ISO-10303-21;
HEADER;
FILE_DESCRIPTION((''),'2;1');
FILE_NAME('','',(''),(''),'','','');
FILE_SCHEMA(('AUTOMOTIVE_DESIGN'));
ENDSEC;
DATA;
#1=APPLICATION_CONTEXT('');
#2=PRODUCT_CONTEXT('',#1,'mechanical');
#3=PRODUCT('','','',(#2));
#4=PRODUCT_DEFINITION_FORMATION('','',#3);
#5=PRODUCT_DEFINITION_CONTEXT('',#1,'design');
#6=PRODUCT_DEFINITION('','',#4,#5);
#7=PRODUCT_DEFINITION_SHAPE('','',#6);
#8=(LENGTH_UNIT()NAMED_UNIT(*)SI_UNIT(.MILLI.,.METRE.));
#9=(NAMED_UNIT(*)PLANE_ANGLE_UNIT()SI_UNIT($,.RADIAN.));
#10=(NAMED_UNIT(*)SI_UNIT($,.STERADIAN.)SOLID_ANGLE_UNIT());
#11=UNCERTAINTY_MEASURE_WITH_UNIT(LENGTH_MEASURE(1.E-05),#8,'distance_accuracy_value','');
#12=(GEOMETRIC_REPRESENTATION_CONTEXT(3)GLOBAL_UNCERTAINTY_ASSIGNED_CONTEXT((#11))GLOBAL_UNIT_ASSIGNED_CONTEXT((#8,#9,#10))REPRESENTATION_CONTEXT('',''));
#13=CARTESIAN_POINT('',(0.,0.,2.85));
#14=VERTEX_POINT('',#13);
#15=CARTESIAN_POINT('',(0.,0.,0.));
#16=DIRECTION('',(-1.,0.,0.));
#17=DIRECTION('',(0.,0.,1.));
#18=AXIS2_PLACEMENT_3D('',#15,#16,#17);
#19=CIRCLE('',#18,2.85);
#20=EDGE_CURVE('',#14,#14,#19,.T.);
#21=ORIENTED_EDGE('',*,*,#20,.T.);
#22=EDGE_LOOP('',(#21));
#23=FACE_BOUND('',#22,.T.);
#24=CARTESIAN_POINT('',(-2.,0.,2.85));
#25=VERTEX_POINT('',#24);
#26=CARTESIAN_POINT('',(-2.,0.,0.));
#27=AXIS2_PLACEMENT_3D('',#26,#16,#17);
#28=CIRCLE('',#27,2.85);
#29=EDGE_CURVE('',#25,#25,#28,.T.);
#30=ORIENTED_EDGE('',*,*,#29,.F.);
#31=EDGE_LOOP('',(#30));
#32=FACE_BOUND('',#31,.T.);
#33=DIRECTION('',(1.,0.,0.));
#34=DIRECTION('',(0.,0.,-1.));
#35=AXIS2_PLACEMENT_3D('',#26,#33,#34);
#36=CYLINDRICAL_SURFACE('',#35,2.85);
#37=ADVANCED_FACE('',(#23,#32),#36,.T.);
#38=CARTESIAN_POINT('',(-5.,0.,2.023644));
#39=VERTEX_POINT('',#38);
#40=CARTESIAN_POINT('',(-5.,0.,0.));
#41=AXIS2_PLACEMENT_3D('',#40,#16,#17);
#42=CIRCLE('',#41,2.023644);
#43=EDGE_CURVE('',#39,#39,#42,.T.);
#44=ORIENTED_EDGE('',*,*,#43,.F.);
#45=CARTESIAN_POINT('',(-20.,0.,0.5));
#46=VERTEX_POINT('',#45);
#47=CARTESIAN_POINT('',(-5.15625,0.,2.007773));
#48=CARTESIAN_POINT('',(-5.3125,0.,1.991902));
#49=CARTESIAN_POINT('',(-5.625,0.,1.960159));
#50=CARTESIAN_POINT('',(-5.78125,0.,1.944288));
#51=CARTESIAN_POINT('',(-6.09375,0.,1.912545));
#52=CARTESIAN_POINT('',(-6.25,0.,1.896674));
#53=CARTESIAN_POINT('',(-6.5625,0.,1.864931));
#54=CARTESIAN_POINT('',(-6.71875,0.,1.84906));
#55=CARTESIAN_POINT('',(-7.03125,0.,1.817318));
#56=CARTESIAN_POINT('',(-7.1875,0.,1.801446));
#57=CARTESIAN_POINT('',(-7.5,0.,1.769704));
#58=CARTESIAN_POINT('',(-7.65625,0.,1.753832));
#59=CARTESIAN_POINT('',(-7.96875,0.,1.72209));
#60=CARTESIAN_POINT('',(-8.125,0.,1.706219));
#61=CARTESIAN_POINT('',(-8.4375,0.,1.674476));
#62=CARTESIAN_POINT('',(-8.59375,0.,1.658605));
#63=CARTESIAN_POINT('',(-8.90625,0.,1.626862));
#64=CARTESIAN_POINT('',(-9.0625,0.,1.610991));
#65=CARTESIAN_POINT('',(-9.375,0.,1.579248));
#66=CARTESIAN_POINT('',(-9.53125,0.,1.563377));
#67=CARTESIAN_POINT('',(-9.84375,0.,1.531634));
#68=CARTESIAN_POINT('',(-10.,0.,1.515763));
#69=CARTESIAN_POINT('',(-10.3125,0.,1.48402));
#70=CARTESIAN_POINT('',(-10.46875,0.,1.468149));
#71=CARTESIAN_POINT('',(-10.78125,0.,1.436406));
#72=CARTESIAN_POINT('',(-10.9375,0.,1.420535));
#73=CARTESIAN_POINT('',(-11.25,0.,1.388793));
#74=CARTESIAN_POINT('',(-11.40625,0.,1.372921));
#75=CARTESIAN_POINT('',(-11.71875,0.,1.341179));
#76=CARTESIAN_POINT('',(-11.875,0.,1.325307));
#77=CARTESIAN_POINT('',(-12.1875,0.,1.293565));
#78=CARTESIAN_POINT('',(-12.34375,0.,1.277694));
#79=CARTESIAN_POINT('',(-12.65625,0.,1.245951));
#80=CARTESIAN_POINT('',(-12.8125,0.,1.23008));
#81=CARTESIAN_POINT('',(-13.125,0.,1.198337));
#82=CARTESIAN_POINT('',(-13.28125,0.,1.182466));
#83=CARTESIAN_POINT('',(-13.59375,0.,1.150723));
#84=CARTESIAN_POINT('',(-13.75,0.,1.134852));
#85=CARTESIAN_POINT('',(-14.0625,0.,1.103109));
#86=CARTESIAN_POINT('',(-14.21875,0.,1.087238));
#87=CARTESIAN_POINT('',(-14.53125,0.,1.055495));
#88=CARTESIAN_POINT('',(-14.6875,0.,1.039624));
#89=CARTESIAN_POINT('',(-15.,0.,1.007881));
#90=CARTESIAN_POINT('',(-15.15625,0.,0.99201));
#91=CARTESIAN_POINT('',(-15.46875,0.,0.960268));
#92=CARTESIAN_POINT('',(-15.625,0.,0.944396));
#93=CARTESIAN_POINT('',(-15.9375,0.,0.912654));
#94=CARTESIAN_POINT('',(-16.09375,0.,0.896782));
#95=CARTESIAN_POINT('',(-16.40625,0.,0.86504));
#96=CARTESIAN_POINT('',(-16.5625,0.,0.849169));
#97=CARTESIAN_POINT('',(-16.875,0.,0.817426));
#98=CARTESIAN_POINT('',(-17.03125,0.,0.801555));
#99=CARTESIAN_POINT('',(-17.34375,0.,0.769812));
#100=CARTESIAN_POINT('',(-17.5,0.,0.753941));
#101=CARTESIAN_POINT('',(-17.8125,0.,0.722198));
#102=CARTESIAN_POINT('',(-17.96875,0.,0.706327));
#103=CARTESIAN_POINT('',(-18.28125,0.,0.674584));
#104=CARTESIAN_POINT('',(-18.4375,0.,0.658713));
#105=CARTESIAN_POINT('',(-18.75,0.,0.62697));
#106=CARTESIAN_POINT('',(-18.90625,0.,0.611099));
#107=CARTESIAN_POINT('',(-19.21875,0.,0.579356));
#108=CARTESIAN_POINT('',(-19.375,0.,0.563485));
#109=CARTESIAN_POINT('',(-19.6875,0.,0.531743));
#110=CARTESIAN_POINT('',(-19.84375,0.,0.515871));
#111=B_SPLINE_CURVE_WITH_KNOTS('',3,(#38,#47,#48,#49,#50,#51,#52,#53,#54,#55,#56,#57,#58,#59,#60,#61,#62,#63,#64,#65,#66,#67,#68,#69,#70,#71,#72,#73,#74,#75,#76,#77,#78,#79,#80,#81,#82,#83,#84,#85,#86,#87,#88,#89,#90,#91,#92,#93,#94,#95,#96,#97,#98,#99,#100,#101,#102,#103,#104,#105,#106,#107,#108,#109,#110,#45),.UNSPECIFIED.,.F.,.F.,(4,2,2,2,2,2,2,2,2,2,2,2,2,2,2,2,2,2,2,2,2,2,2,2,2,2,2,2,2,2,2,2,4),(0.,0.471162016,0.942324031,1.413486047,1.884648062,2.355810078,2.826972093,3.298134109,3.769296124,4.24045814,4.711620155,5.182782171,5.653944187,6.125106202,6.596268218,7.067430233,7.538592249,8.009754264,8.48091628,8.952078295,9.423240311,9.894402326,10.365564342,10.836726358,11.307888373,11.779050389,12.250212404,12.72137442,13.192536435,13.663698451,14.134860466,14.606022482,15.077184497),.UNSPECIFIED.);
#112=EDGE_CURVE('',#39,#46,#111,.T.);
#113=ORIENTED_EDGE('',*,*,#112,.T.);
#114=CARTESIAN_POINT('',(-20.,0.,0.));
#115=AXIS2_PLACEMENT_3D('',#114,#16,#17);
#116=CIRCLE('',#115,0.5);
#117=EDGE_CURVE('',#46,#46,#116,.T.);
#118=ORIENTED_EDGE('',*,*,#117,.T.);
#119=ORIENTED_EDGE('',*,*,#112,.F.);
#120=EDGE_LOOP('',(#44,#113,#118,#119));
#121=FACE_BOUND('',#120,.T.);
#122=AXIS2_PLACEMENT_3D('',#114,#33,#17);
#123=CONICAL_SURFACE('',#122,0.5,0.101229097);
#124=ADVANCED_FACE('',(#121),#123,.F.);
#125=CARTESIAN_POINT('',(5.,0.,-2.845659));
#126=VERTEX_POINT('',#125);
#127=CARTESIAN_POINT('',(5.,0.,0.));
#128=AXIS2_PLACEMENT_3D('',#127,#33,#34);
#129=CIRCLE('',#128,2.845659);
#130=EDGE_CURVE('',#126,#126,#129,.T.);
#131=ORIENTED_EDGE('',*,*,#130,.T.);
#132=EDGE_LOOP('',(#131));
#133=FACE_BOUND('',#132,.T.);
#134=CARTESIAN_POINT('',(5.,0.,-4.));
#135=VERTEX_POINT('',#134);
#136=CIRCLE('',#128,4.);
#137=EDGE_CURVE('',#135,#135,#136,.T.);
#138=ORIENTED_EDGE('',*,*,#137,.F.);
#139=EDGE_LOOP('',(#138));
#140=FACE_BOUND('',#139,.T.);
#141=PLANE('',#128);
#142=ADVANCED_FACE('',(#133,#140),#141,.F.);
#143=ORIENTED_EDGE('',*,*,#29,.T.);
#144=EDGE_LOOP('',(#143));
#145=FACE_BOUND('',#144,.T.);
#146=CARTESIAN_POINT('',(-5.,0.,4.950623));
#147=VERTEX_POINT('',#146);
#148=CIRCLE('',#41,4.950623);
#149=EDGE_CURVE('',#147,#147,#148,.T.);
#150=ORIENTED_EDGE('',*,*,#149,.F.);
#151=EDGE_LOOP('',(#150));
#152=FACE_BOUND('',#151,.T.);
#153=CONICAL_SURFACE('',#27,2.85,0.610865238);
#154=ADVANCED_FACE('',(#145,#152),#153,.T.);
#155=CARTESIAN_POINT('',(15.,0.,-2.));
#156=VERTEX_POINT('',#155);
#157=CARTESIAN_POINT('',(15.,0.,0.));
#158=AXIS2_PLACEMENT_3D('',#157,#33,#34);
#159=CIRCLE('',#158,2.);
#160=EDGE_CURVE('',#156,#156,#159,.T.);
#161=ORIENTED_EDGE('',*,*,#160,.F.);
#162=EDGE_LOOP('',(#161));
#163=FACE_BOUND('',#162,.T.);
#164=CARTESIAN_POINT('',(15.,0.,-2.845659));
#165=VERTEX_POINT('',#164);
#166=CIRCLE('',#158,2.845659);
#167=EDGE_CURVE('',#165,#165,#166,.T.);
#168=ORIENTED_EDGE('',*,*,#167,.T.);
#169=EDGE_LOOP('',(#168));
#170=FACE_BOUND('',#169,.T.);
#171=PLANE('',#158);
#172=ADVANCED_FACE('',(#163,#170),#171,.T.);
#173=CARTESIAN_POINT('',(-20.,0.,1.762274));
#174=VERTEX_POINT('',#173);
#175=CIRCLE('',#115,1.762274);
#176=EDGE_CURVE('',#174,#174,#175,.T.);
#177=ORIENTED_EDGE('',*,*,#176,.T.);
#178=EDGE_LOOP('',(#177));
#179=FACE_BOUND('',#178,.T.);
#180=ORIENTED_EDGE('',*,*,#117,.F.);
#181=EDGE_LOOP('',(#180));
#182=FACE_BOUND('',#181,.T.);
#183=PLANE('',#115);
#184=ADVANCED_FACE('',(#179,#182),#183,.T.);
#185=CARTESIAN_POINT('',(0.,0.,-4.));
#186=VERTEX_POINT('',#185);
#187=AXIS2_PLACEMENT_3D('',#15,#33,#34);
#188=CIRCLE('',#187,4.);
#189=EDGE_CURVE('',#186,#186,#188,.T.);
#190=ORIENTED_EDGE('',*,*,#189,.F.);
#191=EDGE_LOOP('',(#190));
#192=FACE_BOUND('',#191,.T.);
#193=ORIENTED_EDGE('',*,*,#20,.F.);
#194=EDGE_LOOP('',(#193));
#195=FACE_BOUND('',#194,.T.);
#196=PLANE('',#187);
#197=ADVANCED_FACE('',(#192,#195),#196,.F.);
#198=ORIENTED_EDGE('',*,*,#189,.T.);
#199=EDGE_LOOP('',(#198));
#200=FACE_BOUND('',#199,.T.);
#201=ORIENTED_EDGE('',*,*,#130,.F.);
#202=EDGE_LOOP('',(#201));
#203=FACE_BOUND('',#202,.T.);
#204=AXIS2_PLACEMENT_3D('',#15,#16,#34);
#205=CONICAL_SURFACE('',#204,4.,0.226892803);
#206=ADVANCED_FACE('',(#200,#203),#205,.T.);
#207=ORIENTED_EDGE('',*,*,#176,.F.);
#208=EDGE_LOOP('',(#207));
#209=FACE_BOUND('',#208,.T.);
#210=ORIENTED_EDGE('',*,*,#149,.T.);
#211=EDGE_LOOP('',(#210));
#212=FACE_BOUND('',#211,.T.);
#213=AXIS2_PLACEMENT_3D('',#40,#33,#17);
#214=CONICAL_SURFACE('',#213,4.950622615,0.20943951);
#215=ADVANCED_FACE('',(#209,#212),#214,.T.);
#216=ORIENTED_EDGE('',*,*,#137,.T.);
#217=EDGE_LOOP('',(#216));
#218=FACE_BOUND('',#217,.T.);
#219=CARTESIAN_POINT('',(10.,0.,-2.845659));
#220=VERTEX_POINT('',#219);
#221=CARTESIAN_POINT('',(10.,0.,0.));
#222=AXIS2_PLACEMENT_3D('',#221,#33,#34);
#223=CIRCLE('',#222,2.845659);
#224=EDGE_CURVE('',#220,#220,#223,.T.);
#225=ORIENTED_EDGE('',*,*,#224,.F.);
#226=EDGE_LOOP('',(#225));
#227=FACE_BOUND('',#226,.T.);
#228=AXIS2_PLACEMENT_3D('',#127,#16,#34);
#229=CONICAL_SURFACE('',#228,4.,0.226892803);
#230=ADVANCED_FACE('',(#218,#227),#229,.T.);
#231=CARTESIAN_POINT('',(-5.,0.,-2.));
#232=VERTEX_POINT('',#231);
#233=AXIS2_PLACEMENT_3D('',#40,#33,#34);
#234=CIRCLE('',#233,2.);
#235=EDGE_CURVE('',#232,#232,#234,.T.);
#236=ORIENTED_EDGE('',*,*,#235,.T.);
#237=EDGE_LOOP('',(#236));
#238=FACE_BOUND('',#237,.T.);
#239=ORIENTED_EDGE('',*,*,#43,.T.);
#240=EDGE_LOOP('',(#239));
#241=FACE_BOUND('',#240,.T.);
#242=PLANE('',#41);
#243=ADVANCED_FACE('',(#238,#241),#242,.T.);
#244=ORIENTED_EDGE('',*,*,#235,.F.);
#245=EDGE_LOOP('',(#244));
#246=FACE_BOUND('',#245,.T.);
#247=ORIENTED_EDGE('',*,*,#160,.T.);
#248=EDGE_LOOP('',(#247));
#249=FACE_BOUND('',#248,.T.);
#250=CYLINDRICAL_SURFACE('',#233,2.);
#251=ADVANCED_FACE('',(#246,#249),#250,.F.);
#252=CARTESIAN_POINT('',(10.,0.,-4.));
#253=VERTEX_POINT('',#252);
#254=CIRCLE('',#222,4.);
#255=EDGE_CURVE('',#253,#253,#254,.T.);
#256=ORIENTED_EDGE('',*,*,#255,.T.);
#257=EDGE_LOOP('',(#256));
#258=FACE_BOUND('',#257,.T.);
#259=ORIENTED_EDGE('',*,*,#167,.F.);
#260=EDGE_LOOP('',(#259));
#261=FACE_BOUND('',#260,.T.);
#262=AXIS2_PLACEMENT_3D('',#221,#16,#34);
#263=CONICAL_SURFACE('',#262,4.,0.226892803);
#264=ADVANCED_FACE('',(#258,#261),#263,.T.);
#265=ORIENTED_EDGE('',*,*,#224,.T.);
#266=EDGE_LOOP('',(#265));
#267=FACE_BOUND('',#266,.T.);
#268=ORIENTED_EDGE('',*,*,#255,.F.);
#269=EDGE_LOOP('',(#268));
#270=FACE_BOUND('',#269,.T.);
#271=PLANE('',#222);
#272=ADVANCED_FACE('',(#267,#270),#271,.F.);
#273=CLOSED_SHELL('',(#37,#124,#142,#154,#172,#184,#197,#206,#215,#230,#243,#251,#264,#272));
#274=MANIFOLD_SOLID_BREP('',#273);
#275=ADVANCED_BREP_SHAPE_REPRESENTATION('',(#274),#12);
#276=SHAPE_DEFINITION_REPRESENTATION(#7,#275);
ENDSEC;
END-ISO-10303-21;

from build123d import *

# Parameters (mm, degrees)
SKETCH1_R           = 4
BOSS_EXTRUDE1_DEPTH = 5
BOSS_EXTRUDE1_TAPER = 13
SKETCH2_R           = 4
BOSS_EXTRUDE2_DEPTH = 5
BOSS_EXTRUDE2_TAPER = 13
SKETCH3_R           = 4
BOSS_EXTRUDE3_DEPTH = 5
BOSS_EXTRUDE3_TAPER = 13
SKETCH4_R           = 2.85
BOSS_EXTRUDE4_DEPTH = 2
SKETCH5_R           = 2.85
BOSS_EXTRUDE5_DEPTH = 3
BOSS_EXTRUDE5_DRAFT = -35
SKETCH6_R           = 4.950622615
BOSS_EXTRUDE6_DEPTH = 15
BOSS_EXTRUDE6_TAPER = 12
SKETCH9_R           = 2
CUT_EXTRUDE1_DEPTH  = 20
SKETCH11_R          = 0.5
CUT_EXTRUDE2_DEPTH  = 15
CUT_EXTRUDE2_DRAFT  = 5.8


with BuildPart() as part:
    # Sketch1 → Boss-Extrude1 (new body)
    with BuildSketch(Plane(origin=(0, 0, 0), x_dir=(0, 0, -1), z_dir=(1, 0, 0))):
        Circle(SKETCH1_R)
    extrude(amount=BOSS_EXTRUDE1_DEPTH, taper=BOSS_EXTRUDE1_TAPER)

    # Sketch2 → Boss-Extrude2 (add)
    with BuildSketch(Plane(origin=(5, 0, 0), x_dir=(0, 0, -1), z_dir=(1, 0, 0))):
        Circle(SKETCH2_R)
    extrude(amount=BOSS_EXTRUDE2_DEPTH, taper=BOSS_EXTRUDE2_TAPER)

    # Sketch3 → Boss-Extrude3 (add)
    with BuildSketch(Plane(origin=(10, 0, 0), x_dir=(0, 0, -1), z_dir=(1, 0, 0))):
        Circle(SKETCH3_R)
    extrude(amount=BOSS_EXTRUDE3_DEPTH, taper=BOSS_EXTRUDE3_TAPER)

    # Sketch4 → Boss-Extrude4 (add)
    with BuildSketch(Plane.ZY):
        Circle(SKETCH4_R)
    extrude(amount=BOSS_EXTRUDE4_DEPTH)


with BuildPart() as boss_extrude5_tool:
    # Sketch5 → Boss-Extrude5 (with draft: the straight prism first)
    with BuildSketch(Plane.ZY.offset(2)):
        Circle(SKETCH5_R)
    extrude(amount=BOSS_EXTRUDE5_DEPTH)
    # Boss-Extrude5: the draft: its side faces are tilted about the plane it starts from
    boss_extrude5_sides = [boss_extrude5_tool.faces().sort_by_distance(p)[0] for p in [
        (-3.5, 0, -2.85),
    ]]
    draft(boss_extrude5_sides, Plane.ZY.offset(2), BOSS_EXTRUDE5_DRAFT)


with BuildPart() as part_1:
    add(part.part)

    # Boss-Extrude5: add boss_extrude5_tool
    add(boss_extrude5_tool.part)

    # Sketch6 → Boss-Extrude6 (add)
    with BuildSketch(Plane.ZY.offset(5)):
        Circle(SKETCH6_R)
    extrude(amount=BOSS_EXTRUDE6_DEPTH, taper=BOSS_EXTRUDE6_TAPER)

    # Sketch9 → Cut-Extrude1 (cut)
    with BuildSketch(Plane(origin=(15, 0, 0), x_dir=(0, 0, -1), z_dir=(1, 0, 0))):
        Circle(SKETCH9_R)
    extrude(amount=-CUT_EXTRUDE1_DEPTH, mode=Mode.SUBTRACT)


with BuildPart() as cut_extrude2_tool:
    # Sketch11 → Cut-Extrude2 (with draft: the straight prism first)
    with BuildSketch(Plane.ZY.offset(20)):
        Circle(SKETCH11_R)
    extrude(amount=-CUT_EXTRUDE2_DEPTH)
    # Cut-Extrude2: the draft: its side faces are tilted about the plane it starts from
    cut_extrude2_sides = [cut_extrude2_tool.faces().sort_by_distance(p)[0] for p in [
        (-12.5, 0, -0.5),
    ]]
    draft(cut_extrude2_sides, Plane.ZY.offset(20), CUT_EXTRUDE2_DRAFT)


with BuildPart() as part_2:
    add(part_1.part)

    # Cut-Extrude2: cut by cut_extrude2_tool
    add(cut_extrude2_tool.part, mode=Mode.SUBTRACT)


solid = part_2.part
